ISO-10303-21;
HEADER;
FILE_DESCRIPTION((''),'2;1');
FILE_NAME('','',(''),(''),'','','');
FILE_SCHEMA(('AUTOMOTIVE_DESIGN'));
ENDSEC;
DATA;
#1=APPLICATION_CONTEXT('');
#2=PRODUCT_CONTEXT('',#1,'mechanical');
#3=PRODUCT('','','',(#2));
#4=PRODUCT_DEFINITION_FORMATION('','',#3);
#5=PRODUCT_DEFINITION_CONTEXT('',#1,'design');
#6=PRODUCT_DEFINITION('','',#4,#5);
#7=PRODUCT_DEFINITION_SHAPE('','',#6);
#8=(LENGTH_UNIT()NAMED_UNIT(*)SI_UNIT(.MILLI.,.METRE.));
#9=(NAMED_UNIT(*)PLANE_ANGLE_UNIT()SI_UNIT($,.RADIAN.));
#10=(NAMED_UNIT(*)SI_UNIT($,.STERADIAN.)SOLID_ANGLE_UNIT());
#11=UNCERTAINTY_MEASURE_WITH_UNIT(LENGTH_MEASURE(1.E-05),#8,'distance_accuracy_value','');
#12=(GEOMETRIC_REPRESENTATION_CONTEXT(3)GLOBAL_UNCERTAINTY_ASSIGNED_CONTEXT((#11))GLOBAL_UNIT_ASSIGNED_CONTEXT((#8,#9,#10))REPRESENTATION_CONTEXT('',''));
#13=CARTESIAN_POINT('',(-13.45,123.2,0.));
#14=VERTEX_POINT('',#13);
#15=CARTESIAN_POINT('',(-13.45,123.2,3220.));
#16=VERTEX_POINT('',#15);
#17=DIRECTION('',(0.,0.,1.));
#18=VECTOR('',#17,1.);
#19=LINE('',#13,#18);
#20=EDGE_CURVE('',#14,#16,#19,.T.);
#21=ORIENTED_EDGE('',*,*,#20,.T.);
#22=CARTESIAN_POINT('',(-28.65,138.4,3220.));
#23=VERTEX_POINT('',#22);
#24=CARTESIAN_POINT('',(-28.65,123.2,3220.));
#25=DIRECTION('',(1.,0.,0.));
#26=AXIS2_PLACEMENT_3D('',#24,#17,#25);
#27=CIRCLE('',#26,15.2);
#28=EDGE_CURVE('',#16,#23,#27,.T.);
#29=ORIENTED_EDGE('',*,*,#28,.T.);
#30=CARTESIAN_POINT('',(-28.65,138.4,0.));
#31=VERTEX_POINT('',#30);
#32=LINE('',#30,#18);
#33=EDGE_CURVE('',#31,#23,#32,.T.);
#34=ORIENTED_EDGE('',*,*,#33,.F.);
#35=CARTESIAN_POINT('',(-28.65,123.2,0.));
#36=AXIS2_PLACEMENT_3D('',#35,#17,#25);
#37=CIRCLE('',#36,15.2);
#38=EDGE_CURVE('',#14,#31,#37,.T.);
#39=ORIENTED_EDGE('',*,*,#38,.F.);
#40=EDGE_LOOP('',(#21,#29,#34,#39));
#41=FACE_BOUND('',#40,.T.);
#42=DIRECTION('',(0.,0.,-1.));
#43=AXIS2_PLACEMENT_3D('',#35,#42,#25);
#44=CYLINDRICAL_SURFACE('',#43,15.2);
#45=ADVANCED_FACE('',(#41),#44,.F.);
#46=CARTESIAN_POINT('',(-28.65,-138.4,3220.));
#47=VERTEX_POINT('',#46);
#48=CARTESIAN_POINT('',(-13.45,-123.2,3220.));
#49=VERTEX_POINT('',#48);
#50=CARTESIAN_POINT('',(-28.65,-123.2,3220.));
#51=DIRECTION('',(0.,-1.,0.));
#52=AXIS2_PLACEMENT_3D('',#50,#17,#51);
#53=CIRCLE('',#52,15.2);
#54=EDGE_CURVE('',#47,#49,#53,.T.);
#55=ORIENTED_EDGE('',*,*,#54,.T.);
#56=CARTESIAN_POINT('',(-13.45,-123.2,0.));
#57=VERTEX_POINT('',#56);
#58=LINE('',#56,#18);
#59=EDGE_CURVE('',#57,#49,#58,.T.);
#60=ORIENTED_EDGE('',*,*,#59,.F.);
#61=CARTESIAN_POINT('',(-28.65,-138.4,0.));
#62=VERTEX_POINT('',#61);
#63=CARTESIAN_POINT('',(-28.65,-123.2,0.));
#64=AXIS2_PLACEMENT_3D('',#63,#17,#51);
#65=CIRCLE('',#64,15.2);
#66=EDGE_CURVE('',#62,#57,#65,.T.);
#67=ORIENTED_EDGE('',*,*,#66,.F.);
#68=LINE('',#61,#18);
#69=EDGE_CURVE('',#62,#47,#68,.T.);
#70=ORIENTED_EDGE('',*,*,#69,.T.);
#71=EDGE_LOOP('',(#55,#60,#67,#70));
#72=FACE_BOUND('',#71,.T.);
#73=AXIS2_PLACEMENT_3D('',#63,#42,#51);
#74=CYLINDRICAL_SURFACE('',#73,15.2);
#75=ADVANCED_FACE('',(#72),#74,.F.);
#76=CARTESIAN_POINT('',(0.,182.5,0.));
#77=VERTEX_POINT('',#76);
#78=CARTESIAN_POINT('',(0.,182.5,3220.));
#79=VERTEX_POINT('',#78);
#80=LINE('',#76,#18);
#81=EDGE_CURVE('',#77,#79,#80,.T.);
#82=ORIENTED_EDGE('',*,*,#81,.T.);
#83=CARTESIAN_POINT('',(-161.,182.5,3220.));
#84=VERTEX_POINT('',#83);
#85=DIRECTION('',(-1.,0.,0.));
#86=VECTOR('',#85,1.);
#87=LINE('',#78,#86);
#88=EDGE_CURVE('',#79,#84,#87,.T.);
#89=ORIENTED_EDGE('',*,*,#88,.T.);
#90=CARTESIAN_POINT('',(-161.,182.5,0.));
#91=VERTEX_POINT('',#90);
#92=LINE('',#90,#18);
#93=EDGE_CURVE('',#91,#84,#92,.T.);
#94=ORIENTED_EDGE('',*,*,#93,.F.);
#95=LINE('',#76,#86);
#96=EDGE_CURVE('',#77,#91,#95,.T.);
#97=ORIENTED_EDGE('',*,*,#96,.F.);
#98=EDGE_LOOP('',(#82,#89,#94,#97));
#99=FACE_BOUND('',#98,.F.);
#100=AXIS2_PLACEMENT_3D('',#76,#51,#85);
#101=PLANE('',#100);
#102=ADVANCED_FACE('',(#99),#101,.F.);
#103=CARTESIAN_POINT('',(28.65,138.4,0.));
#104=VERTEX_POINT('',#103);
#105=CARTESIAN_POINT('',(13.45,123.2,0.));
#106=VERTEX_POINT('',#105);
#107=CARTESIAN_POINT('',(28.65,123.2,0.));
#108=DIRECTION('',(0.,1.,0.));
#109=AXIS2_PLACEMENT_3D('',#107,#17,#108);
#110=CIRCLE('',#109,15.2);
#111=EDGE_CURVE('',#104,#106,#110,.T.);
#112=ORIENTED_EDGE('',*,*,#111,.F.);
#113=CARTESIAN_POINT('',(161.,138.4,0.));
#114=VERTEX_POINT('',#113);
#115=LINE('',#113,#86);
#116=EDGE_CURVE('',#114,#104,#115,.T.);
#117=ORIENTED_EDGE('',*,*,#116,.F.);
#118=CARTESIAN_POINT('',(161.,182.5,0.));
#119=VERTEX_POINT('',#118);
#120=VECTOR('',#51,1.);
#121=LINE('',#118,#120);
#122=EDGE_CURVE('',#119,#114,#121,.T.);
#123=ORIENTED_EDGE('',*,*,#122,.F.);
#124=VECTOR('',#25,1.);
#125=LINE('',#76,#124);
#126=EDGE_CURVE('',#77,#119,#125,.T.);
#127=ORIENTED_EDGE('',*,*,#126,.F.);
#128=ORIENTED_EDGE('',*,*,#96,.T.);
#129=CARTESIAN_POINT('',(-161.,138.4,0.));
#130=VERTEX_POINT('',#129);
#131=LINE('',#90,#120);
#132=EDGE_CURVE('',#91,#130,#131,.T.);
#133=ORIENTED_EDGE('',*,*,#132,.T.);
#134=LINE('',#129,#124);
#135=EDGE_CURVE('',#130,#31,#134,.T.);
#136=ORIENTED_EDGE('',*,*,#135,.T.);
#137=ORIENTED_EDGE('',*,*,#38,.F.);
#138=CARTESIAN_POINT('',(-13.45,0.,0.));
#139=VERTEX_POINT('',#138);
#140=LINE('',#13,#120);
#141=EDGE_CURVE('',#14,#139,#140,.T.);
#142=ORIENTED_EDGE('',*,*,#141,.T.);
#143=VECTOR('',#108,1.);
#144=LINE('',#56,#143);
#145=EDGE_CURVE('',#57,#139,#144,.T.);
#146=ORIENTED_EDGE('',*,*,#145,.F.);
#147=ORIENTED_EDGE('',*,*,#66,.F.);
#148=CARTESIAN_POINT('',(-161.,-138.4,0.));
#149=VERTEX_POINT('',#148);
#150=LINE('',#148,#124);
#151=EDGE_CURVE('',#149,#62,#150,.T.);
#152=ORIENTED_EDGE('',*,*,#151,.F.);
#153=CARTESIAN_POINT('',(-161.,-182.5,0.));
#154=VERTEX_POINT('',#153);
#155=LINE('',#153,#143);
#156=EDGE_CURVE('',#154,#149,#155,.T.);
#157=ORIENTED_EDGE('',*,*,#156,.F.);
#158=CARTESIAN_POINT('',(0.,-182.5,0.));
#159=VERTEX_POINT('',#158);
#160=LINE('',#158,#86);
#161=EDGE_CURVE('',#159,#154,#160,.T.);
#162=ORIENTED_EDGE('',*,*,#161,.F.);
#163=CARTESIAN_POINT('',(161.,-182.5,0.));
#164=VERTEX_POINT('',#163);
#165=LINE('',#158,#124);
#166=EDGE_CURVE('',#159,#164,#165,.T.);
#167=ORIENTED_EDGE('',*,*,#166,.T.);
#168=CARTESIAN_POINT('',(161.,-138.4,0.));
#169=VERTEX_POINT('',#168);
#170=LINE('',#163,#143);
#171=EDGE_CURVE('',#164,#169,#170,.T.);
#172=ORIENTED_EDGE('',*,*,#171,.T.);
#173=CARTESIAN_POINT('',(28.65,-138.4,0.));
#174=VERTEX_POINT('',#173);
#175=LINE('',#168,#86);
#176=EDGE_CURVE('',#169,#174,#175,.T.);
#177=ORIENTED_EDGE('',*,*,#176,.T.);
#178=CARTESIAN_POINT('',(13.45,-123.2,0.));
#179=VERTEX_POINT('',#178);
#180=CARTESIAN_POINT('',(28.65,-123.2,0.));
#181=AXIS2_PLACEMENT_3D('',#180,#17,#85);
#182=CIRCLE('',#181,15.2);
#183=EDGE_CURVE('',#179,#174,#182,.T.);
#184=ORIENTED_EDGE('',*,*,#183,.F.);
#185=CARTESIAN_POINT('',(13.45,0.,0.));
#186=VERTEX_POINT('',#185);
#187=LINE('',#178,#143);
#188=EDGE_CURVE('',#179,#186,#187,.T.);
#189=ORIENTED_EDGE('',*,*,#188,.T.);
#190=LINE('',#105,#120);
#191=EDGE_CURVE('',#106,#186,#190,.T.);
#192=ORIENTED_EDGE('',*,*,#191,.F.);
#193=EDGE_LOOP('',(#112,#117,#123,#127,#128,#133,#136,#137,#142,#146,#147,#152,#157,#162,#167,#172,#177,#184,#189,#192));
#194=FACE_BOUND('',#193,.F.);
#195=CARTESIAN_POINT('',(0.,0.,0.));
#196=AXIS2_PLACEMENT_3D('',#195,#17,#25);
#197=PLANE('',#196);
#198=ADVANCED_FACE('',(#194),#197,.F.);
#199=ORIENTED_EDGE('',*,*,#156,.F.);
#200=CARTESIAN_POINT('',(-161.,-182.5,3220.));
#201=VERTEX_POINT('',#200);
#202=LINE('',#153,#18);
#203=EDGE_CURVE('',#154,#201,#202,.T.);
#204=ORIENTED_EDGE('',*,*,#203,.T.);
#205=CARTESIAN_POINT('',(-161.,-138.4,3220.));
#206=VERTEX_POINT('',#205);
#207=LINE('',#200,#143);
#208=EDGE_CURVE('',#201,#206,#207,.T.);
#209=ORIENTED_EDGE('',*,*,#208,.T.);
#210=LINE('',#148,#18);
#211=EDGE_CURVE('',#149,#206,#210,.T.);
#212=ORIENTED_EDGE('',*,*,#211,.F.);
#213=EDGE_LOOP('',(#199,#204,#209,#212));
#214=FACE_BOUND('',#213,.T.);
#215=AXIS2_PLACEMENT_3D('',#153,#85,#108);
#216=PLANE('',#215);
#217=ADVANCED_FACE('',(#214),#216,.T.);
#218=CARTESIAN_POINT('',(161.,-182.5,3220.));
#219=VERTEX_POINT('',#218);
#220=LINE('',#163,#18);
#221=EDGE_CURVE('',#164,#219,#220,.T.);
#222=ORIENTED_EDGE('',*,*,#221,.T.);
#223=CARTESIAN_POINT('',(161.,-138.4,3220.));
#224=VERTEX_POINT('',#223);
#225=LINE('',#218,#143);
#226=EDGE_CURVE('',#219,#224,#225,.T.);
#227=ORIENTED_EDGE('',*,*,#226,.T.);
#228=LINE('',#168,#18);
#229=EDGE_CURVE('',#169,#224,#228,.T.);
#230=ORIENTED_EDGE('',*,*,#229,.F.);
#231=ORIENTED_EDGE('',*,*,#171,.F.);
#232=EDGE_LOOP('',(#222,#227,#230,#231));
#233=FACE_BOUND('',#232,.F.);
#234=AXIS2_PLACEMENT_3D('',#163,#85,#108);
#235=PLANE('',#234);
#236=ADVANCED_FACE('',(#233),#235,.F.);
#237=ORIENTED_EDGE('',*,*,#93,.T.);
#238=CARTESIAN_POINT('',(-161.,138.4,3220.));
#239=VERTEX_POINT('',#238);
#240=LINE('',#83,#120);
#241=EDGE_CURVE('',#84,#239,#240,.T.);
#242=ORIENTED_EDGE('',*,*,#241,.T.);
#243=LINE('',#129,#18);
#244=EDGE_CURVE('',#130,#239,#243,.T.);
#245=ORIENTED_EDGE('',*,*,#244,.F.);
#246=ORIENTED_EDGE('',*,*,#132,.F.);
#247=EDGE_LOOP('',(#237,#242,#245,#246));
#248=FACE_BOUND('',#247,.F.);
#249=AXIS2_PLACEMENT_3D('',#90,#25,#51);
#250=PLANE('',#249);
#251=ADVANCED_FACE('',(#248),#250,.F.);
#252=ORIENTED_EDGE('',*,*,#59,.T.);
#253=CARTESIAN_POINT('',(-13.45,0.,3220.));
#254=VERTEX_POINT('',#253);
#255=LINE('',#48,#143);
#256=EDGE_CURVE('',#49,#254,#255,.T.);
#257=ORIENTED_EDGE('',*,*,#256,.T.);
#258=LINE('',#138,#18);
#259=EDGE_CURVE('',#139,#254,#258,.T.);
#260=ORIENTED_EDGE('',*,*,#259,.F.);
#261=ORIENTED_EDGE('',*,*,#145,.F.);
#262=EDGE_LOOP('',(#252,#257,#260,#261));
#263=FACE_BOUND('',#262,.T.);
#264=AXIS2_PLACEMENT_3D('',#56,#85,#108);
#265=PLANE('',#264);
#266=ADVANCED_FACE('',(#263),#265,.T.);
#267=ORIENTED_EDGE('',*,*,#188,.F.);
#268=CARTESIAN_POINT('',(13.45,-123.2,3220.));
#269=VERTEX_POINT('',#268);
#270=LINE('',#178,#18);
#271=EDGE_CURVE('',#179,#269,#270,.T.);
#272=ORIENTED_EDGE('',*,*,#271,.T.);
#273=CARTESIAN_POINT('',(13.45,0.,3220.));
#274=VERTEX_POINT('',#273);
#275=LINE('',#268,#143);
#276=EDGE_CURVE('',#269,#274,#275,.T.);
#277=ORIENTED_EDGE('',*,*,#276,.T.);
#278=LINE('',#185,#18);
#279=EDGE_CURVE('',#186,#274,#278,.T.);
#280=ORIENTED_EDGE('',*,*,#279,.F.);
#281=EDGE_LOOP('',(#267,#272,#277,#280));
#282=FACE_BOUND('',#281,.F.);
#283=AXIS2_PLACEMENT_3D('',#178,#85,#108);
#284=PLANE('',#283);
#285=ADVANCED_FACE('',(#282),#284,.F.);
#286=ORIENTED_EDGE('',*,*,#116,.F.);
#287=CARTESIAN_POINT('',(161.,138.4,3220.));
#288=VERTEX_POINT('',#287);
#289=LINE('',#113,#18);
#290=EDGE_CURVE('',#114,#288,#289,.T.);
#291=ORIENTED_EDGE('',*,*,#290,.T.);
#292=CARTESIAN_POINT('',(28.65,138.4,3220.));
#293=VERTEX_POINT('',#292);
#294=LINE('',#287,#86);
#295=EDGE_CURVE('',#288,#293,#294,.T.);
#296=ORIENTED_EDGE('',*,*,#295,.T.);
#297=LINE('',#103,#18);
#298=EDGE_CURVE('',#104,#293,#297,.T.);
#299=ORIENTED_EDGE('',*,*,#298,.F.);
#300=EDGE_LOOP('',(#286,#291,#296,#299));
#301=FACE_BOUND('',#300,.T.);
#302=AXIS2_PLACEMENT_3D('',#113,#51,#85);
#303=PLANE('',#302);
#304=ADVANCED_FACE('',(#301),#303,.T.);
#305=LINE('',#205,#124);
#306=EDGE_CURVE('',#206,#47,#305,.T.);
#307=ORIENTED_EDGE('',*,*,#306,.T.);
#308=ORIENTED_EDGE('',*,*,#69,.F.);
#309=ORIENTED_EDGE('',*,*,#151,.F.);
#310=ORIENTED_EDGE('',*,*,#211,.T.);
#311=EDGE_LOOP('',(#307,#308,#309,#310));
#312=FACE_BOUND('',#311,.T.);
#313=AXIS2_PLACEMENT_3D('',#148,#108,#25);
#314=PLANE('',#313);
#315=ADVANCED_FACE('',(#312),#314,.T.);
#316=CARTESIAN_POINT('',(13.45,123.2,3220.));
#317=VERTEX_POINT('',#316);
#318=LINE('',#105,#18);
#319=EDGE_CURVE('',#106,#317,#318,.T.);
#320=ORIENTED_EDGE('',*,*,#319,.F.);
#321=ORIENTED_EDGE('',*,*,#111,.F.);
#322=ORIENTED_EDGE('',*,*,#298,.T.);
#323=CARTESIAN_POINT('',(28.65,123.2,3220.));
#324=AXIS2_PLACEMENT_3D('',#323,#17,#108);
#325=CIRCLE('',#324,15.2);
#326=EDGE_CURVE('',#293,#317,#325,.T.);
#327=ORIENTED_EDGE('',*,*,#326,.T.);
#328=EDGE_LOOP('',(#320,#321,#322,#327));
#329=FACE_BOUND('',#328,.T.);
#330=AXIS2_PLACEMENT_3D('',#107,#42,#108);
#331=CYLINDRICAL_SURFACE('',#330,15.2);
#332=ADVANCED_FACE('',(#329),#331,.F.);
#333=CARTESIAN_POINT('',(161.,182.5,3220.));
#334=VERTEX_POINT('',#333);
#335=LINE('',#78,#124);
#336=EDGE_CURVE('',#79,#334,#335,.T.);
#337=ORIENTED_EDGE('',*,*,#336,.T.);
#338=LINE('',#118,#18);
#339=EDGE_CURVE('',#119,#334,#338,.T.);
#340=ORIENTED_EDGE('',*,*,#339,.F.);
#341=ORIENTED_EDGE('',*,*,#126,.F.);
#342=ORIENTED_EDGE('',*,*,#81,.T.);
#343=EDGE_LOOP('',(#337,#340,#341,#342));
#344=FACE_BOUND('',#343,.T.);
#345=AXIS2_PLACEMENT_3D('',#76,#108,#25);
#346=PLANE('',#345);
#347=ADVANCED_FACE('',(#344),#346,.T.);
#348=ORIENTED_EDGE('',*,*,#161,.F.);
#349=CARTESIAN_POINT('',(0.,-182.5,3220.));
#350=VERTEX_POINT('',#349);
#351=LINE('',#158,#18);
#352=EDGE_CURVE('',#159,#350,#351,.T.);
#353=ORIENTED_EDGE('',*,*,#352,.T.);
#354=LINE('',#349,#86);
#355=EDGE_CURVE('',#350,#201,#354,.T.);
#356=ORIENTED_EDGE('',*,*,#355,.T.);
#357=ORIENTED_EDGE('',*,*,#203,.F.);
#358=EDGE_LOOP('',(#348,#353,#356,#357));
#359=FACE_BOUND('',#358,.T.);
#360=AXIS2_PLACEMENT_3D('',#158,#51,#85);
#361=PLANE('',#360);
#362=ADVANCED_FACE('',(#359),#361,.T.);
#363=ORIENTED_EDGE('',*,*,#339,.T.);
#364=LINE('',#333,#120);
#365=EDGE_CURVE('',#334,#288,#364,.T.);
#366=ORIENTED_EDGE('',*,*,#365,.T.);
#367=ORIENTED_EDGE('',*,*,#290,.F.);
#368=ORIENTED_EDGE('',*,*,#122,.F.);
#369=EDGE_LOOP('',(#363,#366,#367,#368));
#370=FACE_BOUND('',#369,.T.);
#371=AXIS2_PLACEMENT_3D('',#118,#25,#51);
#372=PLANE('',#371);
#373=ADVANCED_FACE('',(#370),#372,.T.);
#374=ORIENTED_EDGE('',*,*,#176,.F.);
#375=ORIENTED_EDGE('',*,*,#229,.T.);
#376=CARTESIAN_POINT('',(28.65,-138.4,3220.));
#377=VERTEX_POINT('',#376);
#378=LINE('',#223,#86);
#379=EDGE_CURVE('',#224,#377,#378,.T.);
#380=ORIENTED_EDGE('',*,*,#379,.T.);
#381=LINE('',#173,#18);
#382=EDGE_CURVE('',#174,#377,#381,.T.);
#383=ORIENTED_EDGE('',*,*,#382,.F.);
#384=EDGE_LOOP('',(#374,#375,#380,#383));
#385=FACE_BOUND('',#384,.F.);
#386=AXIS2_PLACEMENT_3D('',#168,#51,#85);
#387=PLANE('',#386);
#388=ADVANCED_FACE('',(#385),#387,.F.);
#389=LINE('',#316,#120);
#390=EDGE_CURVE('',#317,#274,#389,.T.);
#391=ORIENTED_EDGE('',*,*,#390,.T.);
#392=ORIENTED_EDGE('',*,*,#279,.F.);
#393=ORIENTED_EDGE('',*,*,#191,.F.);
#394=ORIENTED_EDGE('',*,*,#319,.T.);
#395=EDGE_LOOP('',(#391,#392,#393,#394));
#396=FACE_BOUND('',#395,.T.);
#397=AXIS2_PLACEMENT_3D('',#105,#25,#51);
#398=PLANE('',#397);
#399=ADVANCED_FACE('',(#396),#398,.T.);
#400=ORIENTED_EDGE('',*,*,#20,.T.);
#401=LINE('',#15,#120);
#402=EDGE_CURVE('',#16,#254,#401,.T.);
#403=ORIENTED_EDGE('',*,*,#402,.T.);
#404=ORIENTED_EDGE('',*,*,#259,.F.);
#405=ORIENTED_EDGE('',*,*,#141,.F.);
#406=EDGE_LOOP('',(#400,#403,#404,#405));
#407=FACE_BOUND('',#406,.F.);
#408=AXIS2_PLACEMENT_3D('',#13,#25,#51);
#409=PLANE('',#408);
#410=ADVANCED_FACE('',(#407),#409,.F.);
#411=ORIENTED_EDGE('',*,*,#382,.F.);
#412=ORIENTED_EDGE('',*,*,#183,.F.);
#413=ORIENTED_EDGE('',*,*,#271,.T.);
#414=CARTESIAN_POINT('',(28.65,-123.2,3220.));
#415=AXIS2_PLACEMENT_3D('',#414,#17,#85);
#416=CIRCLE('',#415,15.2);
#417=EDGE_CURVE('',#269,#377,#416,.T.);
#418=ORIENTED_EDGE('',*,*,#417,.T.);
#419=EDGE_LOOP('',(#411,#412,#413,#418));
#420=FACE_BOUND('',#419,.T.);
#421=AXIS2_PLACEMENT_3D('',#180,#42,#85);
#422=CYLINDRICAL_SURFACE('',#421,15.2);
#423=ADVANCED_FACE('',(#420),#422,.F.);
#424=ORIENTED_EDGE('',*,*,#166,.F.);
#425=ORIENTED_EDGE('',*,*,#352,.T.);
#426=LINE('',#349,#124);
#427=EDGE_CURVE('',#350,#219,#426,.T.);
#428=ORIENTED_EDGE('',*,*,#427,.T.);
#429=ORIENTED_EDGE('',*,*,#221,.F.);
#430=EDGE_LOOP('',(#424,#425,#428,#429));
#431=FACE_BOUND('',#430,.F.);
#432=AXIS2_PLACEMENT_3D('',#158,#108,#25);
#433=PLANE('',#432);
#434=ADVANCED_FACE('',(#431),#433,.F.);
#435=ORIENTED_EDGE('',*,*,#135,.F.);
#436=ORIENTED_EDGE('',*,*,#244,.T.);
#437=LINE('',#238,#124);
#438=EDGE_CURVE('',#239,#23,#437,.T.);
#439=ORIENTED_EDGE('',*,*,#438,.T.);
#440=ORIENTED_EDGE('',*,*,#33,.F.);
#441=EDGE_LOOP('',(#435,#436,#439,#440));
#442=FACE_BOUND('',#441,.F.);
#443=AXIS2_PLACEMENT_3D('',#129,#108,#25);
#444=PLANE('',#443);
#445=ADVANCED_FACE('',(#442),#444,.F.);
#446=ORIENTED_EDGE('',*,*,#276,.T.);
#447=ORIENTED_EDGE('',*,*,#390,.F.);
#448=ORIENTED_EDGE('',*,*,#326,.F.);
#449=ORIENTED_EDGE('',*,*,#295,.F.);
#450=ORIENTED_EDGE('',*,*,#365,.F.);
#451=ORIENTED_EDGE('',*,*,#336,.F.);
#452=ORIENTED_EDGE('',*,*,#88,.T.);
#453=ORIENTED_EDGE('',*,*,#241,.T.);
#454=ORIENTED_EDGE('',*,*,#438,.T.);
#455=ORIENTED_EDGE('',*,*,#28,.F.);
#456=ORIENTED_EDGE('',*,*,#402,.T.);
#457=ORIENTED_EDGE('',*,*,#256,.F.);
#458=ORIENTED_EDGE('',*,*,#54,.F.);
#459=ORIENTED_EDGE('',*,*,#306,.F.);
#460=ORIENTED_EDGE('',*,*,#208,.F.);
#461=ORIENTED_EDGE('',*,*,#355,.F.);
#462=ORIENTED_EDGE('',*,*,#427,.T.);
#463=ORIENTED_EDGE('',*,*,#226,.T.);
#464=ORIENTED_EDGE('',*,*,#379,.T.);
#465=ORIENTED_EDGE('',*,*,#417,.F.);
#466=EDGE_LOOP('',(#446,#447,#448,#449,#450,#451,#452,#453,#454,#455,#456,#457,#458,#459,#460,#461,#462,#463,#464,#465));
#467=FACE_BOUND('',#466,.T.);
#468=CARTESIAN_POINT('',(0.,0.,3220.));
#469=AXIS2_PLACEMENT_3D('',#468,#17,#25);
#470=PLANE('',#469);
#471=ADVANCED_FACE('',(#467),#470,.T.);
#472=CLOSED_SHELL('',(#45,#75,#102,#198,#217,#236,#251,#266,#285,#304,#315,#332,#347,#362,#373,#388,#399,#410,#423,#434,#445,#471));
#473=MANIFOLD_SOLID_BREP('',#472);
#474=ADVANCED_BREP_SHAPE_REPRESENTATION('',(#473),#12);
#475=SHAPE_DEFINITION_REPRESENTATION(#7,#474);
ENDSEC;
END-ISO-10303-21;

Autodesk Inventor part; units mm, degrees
ref_plane "YZ Plane" through (0, 0, 0) normal (1, 0, 0) x (0, 1, 0)
ref_plane "Start plane" through (0, 0, 0) normal (0, 0, 1) x (1, 0, 0)
ref_plane "End plane" through (0, 0, 3220) normal (0, 0, 1) x (1, 0, 0)
sketch "Sketch" plane through (0, 0, 0) normal (0, 0, 1) x (1, 0, 0)
  line L0 (-161, -182.5) -> (-161, -138.4)
  line L1 (-161, -138.4) -> (-28.65, -138.4)
  line L2 (-13.45, -123.2) -> (-13.45, 0)
  line L3 (-13.45, 0) -> (0, 0) construction
  line L4 (0, 0) -> (0, -182.5) construction
  line L5 (0, -182.5) -> (-161, -182.5)
  line L6 (-60, 0) -> (80, 0) construction
  line L7 (0, -60) -> (0, 80) construction
  line L8 (161, -182.5) -> (161, -138.4)
  line L9 (161, -138.4) -> (28.65, -138.4)
  line L10 (13.45, -123.2) -> (13.45, 0)
  line L11 (13.45, 0) -> (0, 0) construction
  line L12 (0, -182.5) -> (161, -182.5)
  line L13 (-161, 182.5) -> (-161, 138.4)
  line L14 (-161, 138.4) -> (-28.65, 138.4)
  line L15 (-13.45, 123.2) -> (-13.45, 0)
  line L16 (0, 182.5) -> (-161, 182.5)
  line L17 (161, 182.5) -> (161, 138.4)
  line L18 (161, 138.4) -> (28.65, 138.4)
  line L19 (0, 182.5) -> (161, 182.5)
  line L20 (13.45, 123.2) -> (13.45, 0)
  arc A0 (-13.45, 123.2) -> (-28.65, 138.4) centre (-28.65, 123.2) ccw
  arc A1 (28.65, 138.4) -> (13.45, 123.2) centre (28.65, 123.2) ccw
  arc A2 (13.45, -123.2) -> (28.65, -138.4) centre (28.65, -123.2) ccw
  arc A3 (-28.65, -138.4) -> (-13.45, -123.2) centre (-28.65, -123.2) ccw
  line L21 (0, 108) -> (0, -88) construction
  line L22 (-88, 0) -> (108, 0) construction
  point P0 (-13.45, -138.4)
  point P1 (13.45, -138.4)
  point P2 (-13.45, 138.4)
  point P3 (13.45, 138.4)
  dimension "d1" = 182.5
  dimension "d2" = 44.1
  dimension "d3" = 161
  dimension "d4" = 13.45
  dimension "d10" = 15.2
extrude "Body" add sketch "Sketch" along normal up to surface (3220 mm away) from surface at 0
sketch "Sketch4" plane through (0, 0, 0) normal (0, 0, 1) x (1, 0, 0)
  line L0 (0, 0) -> (10, 0)
ref_plane "Work Plane3" through (0, 0, 0) normal (0, -1, 0) x (1, 0, 0)
sketch "Sketch5" plane through (0, 0, 0) normal (0, -1, 0) x (1, 0, 0)
  line L0 (-2, 0) -> (12, 0) projected
  line L1 (-2, 3220) -> (12, 3220) projected
  dimension "d14" = 3220
equation "\"d1\" = 0.5 * G_H"
equation "\"d2\" = G_T1"
equation "\"d3\" = 0.5 * G_W"
equation "\"d4\" = 0.5 * G_T"
equation "\"d10\" = G_IR"
equation "\"d5\" = G_L"
equation "\"G_W\" = 322"
equation "\"G_H\" = 365"
equation "\"G_T\" = 26.9"
equation "\"G_T1\" = 44.1"
equation "\"G_IR\" = 15.2"
equation "\"G_L\" = d14"
equation "\"G_OFFSET_START\" = 0"
equation "\"G_OFFSET_END\" = 0"
properties part number "AS 3679 - 310 UC - 283 - 3220" material "Steel, Mild"
